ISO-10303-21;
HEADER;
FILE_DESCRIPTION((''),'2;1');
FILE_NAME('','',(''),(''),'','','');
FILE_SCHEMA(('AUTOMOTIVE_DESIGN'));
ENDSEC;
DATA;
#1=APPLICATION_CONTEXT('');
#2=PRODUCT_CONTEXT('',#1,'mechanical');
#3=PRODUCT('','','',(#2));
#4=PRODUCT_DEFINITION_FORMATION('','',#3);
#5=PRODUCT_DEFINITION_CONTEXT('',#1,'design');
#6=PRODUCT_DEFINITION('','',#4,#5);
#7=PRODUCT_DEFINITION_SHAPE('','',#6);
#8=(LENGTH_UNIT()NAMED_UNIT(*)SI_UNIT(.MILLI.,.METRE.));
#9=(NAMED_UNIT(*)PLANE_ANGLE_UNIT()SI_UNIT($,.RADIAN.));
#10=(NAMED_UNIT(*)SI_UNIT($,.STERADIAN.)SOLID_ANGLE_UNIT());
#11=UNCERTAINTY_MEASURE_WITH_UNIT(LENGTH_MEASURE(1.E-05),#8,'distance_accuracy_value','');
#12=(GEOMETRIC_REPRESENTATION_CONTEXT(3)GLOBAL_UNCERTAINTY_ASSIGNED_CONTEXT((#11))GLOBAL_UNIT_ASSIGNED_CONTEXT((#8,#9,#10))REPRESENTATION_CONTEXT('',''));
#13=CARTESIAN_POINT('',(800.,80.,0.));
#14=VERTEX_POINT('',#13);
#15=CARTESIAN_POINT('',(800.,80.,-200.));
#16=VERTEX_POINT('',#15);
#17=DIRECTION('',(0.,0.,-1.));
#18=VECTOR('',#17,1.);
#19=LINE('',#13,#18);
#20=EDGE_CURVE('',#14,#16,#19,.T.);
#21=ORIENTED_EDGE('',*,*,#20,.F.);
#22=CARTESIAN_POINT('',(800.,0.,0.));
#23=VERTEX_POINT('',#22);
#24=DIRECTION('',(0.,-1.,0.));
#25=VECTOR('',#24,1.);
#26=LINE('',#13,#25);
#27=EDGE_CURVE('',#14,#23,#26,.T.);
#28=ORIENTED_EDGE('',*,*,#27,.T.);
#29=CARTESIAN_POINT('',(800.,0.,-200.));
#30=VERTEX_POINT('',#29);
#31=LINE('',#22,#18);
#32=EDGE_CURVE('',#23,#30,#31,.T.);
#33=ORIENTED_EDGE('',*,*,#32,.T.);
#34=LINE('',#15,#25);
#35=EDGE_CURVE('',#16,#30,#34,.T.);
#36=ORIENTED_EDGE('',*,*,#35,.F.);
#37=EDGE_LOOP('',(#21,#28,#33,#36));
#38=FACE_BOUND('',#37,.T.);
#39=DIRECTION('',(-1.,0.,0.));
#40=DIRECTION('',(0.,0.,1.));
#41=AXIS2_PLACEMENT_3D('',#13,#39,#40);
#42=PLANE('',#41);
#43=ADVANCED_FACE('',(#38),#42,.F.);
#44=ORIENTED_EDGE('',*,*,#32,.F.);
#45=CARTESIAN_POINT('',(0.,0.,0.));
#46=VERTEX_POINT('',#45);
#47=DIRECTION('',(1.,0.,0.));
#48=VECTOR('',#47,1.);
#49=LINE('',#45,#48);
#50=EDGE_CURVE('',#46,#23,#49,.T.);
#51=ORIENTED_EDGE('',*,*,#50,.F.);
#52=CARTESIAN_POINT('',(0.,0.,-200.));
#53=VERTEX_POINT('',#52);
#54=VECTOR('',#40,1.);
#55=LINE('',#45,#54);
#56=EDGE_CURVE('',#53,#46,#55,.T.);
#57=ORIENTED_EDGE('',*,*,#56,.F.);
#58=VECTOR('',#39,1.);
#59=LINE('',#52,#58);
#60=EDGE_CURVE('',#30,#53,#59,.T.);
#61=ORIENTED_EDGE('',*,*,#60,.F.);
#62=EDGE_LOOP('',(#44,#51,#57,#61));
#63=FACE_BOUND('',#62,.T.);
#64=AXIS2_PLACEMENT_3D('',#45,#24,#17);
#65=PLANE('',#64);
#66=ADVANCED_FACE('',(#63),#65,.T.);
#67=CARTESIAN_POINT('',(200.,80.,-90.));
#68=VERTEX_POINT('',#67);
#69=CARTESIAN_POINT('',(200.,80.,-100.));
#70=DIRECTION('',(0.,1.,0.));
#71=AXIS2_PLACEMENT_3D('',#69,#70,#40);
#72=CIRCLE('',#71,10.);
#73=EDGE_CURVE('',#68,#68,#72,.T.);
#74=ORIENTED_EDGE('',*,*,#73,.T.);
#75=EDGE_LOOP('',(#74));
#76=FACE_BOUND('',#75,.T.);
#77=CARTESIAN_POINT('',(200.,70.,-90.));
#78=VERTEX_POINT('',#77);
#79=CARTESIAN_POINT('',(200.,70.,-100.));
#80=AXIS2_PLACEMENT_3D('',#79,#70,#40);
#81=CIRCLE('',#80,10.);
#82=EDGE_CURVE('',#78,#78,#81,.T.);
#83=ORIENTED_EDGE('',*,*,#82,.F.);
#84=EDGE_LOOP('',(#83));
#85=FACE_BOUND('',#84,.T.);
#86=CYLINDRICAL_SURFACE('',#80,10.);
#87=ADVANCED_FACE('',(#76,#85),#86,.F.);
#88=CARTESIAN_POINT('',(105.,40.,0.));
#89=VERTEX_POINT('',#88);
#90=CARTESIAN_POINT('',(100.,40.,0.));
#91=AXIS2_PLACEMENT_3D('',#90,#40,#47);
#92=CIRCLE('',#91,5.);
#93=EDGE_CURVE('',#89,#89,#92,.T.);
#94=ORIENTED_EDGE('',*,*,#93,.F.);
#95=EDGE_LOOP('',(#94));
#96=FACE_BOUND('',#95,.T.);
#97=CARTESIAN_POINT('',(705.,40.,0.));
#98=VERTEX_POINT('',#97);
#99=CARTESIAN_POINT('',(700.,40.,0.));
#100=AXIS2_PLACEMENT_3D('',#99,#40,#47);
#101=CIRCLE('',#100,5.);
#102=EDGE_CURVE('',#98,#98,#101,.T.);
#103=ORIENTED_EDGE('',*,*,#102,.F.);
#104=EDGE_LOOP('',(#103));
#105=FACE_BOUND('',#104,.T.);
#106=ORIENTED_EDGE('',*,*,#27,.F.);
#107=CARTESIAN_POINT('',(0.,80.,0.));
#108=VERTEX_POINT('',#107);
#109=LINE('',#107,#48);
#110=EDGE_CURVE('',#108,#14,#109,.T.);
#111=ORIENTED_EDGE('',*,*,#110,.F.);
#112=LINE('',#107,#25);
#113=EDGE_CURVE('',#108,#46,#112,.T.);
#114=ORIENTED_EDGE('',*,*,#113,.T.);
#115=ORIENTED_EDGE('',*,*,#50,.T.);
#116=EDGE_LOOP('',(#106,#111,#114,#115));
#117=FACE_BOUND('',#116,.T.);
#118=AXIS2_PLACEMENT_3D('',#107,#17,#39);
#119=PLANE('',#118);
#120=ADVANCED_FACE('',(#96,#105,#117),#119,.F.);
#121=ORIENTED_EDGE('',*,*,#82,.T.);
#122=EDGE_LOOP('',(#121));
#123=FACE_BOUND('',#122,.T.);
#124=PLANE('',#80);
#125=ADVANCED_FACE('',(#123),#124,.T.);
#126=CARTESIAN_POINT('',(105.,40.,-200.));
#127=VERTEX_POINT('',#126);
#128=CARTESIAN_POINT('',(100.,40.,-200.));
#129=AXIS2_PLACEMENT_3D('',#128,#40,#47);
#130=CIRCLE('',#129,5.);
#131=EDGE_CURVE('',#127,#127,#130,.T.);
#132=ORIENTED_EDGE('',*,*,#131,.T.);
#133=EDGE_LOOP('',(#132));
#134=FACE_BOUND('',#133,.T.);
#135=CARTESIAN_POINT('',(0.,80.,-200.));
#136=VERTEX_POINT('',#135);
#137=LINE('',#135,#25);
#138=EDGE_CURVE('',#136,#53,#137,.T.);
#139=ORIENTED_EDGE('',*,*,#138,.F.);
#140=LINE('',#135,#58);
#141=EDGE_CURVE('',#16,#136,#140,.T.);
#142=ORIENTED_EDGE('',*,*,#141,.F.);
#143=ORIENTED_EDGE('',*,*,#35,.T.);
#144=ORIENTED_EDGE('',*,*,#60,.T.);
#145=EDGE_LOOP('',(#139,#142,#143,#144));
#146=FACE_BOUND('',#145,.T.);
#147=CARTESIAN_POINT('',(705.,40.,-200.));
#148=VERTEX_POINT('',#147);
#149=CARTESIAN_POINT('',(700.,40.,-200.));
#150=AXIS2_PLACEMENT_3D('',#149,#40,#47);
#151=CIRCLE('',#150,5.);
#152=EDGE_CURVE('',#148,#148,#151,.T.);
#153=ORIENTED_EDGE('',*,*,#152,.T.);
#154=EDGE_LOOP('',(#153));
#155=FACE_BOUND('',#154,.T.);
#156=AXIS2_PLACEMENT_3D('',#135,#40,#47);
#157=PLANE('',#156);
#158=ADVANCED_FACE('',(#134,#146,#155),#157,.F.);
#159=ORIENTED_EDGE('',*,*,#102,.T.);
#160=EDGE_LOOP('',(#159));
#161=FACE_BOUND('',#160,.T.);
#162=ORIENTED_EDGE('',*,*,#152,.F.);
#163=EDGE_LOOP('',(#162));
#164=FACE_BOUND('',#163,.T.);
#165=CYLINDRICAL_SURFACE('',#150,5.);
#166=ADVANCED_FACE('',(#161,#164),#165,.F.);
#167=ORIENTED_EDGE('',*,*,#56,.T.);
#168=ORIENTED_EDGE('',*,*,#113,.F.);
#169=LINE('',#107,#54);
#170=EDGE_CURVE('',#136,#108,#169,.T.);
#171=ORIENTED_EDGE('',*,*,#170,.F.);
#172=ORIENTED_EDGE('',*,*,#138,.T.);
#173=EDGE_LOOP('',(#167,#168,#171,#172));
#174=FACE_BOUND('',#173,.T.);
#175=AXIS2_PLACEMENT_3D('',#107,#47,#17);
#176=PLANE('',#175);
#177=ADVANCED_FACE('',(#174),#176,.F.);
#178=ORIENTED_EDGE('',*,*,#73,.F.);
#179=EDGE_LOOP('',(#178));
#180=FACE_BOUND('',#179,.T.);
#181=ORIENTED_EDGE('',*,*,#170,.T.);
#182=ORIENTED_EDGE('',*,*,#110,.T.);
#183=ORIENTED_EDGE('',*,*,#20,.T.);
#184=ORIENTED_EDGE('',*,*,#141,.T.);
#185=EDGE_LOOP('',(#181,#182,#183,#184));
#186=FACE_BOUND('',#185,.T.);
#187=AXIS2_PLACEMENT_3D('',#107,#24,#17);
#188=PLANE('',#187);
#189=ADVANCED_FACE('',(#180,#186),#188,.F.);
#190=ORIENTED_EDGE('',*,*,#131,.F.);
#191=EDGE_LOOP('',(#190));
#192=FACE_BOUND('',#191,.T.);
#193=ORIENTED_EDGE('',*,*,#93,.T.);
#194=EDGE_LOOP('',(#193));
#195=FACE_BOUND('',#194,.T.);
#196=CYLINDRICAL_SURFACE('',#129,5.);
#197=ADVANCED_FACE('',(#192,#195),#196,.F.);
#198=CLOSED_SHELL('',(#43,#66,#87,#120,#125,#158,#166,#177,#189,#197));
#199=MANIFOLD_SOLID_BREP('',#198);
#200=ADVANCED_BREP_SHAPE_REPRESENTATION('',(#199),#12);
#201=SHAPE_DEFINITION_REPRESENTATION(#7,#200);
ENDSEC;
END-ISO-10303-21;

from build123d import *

# Parameters (mm, degrees)
SKETCH1_W           = 800
SKETCH1_H           = 200
BOSS_EXTRUDE1_DEPTH = 80
SKETCH3_R           = 5
CUT_EXTRUDE2_DEPTH  = 200
SKETCH4_R           = 10
CUT_EXTRUDE3_DEPTH  = 10


with BuildPart() as part:
    # Sketch1 → Boss-Extrude1 (new body)
    with BuildSketch(Plane(origin=(0, 0, 0), x_dir=(1, 0, 0), z_dir=(0, 1, 0))):
        with Locations((400, 100)):
            Rectangle(SKETCH1_W, SKETCH1_H)
    extrude(amount=BOSS_EXTRUDE1_DEPTH)

    # Sketch3 → Cut-Extrude2 (cut)
    with BuildSketch(Plane.XY):
        with Locations((100, 40)):
            Circle(SKETCH3_R)
        with Locations((700, 40)):
            Circle(SKETCH3_R)
    extrude(amount=-CUT_EXTRUDE2_DEPTH, mode=Mode.SUBTRACT)

    # Sketch4 → Cut-Extrude3 (cut)
    with BuildSketch(Plane(origin=(0, 80, 0), x_dir=(1, 0, 0), z_dir=(0, 1, 0))):
        with Locations((200, 100)):
            Circle(SKETCH4_R)
    extrude(amount=-CUT_EXTRUDE3_DEPTH, mode=Mode.SUBTRACT)


solid = part.part
